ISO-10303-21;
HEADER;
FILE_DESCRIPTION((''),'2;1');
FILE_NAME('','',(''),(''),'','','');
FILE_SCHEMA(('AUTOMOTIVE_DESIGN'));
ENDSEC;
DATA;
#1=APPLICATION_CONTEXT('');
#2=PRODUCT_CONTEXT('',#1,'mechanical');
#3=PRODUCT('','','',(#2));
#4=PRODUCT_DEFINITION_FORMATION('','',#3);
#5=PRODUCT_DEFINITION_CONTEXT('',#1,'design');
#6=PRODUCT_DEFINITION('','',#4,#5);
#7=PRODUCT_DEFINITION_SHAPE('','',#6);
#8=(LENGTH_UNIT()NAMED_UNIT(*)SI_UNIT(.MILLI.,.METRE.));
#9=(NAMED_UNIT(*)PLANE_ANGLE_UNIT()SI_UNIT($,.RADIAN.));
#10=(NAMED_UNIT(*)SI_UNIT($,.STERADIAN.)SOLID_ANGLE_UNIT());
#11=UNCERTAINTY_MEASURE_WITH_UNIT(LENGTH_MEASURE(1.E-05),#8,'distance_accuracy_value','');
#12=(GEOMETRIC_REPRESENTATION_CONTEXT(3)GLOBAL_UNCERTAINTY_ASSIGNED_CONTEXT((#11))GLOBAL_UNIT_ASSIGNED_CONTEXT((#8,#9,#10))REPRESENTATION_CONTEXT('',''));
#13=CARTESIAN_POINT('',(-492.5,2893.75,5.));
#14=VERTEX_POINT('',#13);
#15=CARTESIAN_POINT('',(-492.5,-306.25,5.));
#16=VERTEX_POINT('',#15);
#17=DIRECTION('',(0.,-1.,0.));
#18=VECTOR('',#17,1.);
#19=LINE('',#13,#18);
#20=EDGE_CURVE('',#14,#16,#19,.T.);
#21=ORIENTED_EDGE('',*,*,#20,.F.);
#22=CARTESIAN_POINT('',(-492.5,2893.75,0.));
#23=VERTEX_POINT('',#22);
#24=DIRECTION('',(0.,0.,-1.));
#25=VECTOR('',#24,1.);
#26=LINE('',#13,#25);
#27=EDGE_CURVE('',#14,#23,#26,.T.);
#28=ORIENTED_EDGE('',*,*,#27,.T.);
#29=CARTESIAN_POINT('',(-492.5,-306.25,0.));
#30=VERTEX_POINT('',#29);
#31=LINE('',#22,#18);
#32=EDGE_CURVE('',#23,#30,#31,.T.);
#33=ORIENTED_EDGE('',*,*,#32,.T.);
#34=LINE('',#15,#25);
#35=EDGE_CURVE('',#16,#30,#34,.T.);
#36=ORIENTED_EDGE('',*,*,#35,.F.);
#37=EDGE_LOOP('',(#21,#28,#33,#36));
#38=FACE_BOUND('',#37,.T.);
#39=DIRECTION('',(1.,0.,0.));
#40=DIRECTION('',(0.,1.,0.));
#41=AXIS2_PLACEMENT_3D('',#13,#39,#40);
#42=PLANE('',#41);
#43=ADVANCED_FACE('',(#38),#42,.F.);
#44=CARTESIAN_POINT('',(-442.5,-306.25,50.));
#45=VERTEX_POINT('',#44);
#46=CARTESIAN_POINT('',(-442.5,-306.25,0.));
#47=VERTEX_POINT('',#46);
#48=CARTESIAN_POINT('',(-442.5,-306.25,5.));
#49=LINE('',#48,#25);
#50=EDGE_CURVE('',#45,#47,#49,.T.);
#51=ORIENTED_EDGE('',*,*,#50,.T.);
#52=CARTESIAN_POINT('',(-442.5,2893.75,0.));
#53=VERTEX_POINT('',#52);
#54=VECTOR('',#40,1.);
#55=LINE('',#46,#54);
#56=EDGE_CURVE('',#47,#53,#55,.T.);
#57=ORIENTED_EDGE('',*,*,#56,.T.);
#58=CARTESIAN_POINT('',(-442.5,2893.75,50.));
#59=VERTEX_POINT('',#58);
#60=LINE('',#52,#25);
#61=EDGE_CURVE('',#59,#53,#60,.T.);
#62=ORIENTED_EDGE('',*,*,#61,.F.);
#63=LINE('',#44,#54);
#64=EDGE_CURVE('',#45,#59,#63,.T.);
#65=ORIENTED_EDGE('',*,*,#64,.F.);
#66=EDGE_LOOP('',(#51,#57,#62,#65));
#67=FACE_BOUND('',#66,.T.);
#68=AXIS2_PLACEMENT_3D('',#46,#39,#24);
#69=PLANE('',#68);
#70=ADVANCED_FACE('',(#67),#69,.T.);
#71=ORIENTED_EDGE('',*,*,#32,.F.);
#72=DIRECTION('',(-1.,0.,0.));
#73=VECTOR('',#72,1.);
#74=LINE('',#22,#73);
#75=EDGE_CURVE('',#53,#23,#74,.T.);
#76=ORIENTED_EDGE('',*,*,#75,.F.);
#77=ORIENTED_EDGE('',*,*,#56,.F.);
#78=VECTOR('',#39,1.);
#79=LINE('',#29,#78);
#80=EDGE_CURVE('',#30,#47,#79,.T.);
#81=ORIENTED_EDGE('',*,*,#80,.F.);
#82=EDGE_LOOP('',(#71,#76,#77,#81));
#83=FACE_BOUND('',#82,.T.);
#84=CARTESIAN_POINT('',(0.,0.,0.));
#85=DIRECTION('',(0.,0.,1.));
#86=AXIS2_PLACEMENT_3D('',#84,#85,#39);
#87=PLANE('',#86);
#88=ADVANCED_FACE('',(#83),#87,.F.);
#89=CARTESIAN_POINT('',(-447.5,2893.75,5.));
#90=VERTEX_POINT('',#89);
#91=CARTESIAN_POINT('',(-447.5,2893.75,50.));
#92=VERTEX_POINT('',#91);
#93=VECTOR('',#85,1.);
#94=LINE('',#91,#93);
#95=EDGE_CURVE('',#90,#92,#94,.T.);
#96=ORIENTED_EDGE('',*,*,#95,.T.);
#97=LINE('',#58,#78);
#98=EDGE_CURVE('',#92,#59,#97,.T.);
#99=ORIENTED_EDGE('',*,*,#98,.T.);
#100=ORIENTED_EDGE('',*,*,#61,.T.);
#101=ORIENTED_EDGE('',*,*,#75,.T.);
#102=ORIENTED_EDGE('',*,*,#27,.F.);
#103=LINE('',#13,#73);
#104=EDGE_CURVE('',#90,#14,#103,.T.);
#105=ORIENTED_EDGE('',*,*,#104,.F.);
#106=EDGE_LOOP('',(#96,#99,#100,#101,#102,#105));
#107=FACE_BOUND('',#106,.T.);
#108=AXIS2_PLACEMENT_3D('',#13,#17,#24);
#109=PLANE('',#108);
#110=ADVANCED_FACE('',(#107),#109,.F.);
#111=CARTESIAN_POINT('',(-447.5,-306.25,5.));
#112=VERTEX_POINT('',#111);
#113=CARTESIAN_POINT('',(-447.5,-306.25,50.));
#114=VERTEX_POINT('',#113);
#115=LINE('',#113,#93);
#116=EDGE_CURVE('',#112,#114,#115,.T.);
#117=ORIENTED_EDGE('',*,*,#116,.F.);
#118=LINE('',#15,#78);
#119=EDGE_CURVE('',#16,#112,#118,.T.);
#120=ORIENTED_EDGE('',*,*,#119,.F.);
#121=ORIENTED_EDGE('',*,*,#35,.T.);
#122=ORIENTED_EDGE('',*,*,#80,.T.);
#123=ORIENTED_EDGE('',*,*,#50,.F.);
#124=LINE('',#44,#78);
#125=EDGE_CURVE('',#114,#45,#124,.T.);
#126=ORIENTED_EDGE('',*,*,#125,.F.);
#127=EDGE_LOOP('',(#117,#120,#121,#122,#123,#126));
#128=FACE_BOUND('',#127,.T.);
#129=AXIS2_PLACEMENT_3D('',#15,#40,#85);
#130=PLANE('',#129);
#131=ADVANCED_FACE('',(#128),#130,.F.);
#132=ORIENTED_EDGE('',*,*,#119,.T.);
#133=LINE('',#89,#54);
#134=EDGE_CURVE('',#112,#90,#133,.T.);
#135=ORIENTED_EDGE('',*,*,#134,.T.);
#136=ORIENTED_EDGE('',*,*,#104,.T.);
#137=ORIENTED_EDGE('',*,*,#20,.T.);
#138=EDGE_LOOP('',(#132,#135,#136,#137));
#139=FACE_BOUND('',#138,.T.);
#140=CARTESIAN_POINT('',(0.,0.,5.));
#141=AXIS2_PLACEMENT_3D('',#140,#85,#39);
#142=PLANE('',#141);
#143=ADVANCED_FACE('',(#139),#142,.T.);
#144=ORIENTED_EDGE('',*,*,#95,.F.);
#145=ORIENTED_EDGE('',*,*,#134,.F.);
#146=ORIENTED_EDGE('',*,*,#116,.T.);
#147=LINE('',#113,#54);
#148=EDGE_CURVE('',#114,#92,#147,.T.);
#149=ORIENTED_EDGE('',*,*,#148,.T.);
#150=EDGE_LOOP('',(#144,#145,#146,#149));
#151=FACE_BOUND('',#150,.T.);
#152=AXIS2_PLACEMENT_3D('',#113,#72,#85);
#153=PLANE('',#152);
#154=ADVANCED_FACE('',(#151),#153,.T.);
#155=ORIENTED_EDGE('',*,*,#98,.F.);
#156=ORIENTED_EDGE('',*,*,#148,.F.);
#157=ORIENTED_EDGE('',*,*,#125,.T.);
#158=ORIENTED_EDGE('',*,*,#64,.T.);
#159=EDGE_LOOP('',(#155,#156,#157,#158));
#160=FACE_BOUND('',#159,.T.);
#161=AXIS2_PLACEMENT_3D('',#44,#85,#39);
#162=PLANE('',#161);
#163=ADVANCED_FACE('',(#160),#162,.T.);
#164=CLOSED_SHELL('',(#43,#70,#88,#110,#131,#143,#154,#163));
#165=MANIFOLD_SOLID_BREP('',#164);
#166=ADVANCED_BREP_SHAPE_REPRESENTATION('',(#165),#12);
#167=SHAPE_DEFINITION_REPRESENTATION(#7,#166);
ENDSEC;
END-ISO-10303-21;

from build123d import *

# Parameters (mm, degrees)
SKETCH_1_W      = 45
SKETCH_1_H      = 3200
EXTRUDE_1_DEPTH = 5
EXTRUDE_3_DEPTH = 3200


with BuildPart() as part:
    # Эскиз1 → Бобышка-Вытянуть1 (new body)
    with BuildSketch(Plane.XY):
        with Locations((-470, 1293.75)):
            Rectangle(SKETCH_1_W, SKETCH_1_H)
    extrude(amount=EXTRUDE_1_DEPTH)

    # Эскиз3 → Бобышка-Вытянуть3 (add)
    with BuildSketch(Plane(origin=(0, 2893.75, 0), x_dir=(1, 0, 0), z_dir=(0, 1, 0))):
        Polygon((-447.5, 0), (-442.5, 0), (-442.5, -5), (-442.5, -50), (-447.5, -50), align=None)
    extrude(amount=-EXTRUDE_3_DEPTH)


solid = part.part
